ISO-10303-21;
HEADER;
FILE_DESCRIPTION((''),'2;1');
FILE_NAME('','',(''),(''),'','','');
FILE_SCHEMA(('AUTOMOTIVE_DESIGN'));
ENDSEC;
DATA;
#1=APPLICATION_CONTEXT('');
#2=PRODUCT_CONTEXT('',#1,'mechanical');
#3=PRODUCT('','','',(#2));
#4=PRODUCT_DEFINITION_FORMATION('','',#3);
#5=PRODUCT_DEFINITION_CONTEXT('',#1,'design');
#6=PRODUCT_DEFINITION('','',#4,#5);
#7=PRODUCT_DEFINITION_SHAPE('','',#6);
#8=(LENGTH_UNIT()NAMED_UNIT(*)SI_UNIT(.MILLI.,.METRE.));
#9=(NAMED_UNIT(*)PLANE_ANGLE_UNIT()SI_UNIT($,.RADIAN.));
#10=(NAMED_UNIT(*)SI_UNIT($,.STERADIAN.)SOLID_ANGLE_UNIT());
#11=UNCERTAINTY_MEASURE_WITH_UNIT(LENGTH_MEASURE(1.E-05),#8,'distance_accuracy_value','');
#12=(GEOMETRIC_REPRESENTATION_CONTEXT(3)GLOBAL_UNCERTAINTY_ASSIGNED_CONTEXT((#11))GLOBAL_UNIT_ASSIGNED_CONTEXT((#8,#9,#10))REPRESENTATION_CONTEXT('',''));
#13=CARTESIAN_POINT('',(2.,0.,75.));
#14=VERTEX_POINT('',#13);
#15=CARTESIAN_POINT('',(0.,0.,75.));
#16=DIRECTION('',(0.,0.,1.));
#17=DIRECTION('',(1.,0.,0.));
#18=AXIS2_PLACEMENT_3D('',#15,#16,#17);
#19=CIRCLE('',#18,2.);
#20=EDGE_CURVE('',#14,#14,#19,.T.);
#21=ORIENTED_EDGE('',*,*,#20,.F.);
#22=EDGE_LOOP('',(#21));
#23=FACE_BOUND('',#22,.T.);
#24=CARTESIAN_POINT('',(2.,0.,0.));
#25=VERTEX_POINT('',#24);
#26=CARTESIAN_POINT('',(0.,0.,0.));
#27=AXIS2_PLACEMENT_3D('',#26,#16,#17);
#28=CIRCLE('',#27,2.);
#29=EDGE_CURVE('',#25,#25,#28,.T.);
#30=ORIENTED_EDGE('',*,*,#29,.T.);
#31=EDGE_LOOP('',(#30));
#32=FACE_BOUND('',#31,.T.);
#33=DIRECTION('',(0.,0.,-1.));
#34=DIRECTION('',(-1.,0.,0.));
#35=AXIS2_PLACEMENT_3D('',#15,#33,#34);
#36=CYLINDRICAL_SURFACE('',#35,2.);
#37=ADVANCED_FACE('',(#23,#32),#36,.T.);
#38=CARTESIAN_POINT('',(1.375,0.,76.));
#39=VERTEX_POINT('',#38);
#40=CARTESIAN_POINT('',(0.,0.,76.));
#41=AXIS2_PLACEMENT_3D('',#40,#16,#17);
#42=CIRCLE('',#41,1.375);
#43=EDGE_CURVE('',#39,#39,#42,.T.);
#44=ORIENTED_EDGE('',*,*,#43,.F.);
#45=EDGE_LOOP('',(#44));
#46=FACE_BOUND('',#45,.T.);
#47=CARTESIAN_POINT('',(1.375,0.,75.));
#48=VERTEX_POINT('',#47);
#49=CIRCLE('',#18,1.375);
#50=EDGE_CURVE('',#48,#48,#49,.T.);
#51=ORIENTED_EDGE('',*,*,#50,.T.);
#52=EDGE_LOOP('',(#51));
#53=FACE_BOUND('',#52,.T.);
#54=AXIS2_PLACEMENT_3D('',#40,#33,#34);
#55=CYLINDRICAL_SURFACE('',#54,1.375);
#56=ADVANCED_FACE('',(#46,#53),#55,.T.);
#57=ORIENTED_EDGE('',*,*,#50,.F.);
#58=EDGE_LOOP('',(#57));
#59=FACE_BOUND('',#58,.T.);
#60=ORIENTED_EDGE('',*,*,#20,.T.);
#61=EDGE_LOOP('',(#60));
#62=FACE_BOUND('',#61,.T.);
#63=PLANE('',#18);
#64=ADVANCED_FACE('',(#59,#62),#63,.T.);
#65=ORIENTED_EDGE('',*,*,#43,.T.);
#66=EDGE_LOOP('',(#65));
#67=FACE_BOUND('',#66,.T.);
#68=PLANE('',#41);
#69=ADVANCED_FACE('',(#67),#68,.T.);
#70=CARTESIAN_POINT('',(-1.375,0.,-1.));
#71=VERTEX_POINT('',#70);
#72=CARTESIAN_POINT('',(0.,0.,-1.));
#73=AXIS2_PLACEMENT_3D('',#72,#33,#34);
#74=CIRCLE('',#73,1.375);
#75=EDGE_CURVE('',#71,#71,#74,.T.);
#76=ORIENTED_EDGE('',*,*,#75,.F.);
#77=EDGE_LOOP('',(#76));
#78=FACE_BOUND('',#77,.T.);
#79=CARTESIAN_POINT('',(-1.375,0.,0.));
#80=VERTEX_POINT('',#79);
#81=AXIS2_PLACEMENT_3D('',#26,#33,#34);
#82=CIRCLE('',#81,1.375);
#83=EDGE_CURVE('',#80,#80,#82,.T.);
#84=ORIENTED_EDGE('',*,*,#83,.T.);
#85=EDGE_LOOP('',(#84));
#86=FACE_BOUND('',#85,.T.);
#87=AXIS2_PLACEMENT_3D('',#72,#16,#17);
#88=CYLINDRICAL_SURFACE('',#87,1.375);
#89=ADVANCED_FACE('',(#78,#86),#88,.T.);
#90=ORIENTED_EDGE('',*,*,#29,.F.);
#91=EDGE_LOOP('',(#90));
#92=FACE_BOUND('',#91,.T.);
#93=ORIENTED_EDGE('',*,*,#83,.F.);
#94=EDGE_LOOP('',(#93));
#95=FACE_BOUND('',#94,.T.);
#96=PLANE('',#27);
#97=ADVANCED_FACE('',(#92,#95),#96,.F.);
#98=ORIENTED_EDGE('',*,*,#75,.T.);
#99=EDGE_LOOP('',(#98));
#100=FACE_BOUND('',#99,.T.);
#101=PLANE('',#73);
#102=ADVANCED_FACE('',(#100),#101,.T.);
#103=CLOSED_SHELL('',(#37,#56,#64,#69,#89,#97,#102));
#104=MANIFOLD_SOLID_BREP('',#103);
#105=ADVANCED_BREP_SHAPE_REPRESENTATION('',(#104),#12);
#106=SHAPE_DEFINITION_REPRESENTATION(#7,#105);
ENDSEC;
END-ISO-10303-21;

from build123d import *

# Parameters (mm, degrees)
CROQUIS1_R              = 2
SALIENTE_EXTRUIR1_DEPTH = 75
CROQUIS2_R              = 1.375
SALIENTE_EXTRUIR2_DEPTH = 1
SALIENTE_EXTRUIR3_START = 1
CROQUIS4_R              = 1.375
SALIENTE_EXTRUIR3_DEPTH = 1


with BuildPart() as part:
    # Croquis1 → Saliente-Extruir1 (new body)
    with BuildSketch(Plane.XY):
        Circle(CROQUIS1_R)
    extrude(amount=SALIENTE_EXTRUIR1_DEPTH)

    # Croquis2 → Saliente-Extruir2 (add)
    with BuildSketch(Plane.XY.offset(75)):
        Circle(CROQUIS2_R)
    extrude(amount=SALIENTE_EXTRUIR2_DEPTH)

    # Croquis4 → Saliente-Extruir3 (add)
    with BuildSketch(Plane(origin=(0, 0, 0), x_dir=(-1, 0, 0), z_dir=(0, 0, -1)).offset(SALIENTE_EXTRUIR3_START)):
        with Locations(Location((0, 0, 0), (0, 0, 180))):
            Circle(CROQUIS4_R)
    extrude(amount=-SALIENTE_EXTRUIR3_DEPTH)


solid = part.part
